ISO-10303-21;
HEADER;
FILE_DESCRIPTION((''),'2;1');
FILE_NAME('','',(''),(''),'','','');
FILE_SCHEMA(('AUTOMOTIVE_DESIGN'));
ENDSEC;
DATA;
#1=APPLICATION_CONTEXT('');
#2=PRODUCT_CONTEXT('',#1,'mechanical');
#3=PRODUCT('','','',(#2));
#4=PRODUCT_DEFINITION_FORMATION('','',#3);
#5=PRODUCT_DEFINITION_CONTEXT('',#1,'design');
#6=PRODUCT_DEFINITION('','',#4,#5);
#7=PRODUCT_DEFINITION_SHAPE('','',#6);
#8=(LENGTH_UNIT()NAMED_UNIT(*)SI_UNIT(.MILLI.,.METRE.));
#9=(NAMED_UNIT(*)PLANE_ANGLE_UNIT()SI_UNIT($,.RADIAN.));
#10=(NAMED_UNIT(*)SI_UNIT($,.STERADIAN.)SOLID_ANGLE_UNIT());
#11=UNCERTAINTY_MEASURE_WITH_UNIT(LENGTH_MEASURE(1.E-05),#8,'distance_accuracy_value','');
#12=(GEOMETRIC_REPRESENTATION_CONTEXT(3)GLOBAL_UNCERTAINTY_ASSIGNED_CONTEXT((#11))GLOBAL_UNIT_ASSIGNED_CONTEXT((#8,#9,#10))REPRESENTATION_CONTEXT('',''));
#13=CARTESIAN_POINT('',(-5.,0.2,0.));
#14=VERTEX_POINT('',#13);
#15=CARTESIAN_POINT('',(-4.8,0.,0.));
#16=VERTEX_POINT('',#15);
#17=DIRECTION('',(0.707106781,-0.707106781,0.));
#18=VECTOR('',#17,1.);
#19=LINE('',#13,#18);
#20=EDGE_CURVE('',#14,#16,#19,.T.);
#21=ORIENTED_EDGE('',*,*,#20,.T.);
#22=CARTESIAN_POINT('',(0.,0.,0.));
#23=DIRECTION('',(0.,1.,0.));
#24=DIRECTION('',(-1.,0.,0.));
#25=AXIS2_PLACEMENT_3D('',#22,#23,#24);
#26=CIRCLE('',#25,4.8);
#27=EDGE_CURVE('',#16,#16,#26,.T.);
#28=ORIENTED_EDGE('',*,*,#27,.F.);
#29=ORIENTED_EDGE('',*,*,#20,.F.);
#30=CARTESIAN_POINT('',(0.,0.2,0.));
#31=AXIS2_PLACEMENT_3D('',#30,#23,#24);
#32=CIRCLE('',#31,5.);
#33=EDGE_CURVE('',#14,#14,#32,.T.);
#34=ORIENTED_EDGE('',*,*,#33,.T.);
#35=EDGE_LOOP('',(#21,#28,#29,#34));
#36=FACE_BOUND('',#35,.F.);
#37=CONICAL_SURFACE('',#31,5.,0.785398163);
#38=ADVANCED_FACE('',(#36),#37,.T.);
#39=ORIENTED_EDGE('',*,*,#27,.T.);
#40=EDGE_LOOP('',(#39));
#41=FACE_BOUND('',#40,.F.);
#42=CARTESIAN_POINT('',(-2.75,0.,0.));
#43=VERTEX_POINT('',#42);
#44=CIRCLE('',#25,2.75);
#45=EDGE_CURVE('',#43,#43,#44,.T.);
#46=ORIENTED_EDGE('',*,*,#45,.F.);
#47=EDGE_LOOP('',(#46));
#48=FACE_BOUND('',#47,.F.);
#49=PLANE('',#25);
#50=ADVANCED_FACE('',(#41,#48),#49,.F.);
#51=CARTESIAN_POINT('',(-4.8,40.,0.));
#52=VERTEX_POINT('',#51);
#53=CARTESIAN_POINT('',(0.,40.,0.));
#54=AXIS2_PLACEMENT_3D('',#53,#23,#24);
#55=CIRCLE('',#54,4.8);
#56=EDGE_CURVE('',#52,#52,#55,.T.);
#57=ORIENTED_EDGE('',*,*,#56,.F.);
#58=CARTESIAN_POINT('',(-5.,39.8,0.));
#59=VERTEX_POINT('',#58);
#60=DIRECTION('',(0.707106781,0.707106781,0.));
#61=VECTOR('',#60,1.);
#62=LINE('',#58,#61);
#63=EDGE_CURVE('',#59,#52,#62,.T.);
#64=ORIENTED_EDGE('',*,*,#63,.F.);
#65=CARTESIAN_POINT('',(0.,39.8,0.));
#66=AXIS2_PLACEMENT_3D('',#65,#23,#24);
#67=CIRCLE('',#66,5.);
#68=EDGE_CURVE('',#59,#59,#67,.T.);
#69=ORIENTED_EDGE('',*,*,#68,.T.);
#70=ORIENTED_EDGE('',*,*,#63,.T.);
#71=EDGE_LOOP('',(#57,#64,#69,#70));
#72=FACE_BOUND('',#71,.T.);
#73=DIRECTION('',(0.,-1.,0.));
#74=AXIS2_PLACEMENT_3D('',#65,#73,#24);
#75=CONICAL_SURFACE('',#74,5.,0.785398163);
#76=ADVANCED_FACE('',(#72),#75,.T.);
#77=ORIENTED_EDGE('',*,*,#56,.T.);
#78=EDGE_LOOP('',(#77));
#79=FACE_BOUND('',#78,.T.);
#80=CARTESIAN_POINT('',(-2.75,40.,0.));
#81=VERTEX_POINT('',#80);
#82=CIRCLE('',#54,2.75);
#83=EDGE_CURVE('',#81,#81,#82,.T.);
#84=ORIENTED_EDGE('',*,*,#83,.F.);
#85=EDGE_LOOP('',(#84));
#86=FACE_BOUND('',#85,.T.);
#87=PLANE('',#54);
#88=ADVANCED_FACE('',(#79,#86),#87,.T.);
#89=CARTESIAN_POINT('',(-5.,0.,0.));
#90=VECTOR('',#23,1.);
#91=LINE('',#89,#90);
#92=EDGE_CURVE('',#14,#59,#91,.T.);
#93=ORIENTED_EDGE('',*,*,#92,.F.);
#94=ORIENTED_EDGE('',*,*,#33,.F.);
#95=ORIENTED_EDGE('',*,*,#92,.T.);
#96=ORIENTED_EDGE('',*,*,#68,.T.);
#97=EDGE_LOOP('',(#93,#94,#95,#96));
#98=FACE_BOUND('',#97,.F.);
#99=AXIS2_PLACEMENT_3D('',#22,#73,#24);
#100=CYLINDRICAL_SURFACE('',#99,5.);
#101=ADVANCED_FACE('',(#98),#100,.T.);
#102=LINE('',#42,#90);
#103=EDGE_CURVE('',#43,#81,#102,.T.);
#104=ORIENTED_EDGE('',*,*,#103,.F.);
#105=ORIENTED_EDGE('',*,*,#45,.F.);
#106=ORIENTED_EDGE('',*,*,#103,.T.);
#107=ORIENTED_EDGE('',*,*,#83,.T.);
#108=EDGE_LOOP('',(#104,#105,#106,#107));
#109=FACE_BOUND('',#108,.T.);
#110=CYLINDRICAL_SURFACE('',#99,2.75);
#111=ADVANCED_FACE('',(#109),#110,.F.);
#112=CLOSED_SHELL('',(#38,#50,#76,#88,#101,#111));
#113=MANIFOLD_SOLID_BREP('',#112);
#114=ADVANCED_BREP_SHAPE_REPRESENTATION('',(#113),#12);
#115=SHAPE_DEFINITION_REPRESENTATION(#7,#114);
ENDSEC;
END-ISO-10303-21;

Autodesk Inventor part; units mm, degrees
ref_plane "YZ Plane" through (0, 0, 0) normal (1, 0, 0) x (0, 1, 0)
ref_plane "XZ Plane" through (0, 0, 0) normal (0, 1, 0) x (-1, 0, 0)
ref_plane "XY Plane" through (0, 0, 0) normal (0, 0, 1) x (1, 0, 0)
sketch "Sketch1" plane through (0, 0, 0) normal (0, 1, 0) x (-1, 0, 0)
  circle A0 centre (0, 0) radius 5
  circle A1 centre (0, 0) radius 2.75
  dimension "d0" = 10
  dimension "d1" = 5.5
extrude "Extrusion1" add sketch "Sketch1" along normal blind 40
chamfer "Chamfer1" distance 0.2 angle 45 2 edges at (5, 40, 0) (5, 0, 0)
properties part number "Aluminium Spacer 40mm" material "Aluminum 6061"
